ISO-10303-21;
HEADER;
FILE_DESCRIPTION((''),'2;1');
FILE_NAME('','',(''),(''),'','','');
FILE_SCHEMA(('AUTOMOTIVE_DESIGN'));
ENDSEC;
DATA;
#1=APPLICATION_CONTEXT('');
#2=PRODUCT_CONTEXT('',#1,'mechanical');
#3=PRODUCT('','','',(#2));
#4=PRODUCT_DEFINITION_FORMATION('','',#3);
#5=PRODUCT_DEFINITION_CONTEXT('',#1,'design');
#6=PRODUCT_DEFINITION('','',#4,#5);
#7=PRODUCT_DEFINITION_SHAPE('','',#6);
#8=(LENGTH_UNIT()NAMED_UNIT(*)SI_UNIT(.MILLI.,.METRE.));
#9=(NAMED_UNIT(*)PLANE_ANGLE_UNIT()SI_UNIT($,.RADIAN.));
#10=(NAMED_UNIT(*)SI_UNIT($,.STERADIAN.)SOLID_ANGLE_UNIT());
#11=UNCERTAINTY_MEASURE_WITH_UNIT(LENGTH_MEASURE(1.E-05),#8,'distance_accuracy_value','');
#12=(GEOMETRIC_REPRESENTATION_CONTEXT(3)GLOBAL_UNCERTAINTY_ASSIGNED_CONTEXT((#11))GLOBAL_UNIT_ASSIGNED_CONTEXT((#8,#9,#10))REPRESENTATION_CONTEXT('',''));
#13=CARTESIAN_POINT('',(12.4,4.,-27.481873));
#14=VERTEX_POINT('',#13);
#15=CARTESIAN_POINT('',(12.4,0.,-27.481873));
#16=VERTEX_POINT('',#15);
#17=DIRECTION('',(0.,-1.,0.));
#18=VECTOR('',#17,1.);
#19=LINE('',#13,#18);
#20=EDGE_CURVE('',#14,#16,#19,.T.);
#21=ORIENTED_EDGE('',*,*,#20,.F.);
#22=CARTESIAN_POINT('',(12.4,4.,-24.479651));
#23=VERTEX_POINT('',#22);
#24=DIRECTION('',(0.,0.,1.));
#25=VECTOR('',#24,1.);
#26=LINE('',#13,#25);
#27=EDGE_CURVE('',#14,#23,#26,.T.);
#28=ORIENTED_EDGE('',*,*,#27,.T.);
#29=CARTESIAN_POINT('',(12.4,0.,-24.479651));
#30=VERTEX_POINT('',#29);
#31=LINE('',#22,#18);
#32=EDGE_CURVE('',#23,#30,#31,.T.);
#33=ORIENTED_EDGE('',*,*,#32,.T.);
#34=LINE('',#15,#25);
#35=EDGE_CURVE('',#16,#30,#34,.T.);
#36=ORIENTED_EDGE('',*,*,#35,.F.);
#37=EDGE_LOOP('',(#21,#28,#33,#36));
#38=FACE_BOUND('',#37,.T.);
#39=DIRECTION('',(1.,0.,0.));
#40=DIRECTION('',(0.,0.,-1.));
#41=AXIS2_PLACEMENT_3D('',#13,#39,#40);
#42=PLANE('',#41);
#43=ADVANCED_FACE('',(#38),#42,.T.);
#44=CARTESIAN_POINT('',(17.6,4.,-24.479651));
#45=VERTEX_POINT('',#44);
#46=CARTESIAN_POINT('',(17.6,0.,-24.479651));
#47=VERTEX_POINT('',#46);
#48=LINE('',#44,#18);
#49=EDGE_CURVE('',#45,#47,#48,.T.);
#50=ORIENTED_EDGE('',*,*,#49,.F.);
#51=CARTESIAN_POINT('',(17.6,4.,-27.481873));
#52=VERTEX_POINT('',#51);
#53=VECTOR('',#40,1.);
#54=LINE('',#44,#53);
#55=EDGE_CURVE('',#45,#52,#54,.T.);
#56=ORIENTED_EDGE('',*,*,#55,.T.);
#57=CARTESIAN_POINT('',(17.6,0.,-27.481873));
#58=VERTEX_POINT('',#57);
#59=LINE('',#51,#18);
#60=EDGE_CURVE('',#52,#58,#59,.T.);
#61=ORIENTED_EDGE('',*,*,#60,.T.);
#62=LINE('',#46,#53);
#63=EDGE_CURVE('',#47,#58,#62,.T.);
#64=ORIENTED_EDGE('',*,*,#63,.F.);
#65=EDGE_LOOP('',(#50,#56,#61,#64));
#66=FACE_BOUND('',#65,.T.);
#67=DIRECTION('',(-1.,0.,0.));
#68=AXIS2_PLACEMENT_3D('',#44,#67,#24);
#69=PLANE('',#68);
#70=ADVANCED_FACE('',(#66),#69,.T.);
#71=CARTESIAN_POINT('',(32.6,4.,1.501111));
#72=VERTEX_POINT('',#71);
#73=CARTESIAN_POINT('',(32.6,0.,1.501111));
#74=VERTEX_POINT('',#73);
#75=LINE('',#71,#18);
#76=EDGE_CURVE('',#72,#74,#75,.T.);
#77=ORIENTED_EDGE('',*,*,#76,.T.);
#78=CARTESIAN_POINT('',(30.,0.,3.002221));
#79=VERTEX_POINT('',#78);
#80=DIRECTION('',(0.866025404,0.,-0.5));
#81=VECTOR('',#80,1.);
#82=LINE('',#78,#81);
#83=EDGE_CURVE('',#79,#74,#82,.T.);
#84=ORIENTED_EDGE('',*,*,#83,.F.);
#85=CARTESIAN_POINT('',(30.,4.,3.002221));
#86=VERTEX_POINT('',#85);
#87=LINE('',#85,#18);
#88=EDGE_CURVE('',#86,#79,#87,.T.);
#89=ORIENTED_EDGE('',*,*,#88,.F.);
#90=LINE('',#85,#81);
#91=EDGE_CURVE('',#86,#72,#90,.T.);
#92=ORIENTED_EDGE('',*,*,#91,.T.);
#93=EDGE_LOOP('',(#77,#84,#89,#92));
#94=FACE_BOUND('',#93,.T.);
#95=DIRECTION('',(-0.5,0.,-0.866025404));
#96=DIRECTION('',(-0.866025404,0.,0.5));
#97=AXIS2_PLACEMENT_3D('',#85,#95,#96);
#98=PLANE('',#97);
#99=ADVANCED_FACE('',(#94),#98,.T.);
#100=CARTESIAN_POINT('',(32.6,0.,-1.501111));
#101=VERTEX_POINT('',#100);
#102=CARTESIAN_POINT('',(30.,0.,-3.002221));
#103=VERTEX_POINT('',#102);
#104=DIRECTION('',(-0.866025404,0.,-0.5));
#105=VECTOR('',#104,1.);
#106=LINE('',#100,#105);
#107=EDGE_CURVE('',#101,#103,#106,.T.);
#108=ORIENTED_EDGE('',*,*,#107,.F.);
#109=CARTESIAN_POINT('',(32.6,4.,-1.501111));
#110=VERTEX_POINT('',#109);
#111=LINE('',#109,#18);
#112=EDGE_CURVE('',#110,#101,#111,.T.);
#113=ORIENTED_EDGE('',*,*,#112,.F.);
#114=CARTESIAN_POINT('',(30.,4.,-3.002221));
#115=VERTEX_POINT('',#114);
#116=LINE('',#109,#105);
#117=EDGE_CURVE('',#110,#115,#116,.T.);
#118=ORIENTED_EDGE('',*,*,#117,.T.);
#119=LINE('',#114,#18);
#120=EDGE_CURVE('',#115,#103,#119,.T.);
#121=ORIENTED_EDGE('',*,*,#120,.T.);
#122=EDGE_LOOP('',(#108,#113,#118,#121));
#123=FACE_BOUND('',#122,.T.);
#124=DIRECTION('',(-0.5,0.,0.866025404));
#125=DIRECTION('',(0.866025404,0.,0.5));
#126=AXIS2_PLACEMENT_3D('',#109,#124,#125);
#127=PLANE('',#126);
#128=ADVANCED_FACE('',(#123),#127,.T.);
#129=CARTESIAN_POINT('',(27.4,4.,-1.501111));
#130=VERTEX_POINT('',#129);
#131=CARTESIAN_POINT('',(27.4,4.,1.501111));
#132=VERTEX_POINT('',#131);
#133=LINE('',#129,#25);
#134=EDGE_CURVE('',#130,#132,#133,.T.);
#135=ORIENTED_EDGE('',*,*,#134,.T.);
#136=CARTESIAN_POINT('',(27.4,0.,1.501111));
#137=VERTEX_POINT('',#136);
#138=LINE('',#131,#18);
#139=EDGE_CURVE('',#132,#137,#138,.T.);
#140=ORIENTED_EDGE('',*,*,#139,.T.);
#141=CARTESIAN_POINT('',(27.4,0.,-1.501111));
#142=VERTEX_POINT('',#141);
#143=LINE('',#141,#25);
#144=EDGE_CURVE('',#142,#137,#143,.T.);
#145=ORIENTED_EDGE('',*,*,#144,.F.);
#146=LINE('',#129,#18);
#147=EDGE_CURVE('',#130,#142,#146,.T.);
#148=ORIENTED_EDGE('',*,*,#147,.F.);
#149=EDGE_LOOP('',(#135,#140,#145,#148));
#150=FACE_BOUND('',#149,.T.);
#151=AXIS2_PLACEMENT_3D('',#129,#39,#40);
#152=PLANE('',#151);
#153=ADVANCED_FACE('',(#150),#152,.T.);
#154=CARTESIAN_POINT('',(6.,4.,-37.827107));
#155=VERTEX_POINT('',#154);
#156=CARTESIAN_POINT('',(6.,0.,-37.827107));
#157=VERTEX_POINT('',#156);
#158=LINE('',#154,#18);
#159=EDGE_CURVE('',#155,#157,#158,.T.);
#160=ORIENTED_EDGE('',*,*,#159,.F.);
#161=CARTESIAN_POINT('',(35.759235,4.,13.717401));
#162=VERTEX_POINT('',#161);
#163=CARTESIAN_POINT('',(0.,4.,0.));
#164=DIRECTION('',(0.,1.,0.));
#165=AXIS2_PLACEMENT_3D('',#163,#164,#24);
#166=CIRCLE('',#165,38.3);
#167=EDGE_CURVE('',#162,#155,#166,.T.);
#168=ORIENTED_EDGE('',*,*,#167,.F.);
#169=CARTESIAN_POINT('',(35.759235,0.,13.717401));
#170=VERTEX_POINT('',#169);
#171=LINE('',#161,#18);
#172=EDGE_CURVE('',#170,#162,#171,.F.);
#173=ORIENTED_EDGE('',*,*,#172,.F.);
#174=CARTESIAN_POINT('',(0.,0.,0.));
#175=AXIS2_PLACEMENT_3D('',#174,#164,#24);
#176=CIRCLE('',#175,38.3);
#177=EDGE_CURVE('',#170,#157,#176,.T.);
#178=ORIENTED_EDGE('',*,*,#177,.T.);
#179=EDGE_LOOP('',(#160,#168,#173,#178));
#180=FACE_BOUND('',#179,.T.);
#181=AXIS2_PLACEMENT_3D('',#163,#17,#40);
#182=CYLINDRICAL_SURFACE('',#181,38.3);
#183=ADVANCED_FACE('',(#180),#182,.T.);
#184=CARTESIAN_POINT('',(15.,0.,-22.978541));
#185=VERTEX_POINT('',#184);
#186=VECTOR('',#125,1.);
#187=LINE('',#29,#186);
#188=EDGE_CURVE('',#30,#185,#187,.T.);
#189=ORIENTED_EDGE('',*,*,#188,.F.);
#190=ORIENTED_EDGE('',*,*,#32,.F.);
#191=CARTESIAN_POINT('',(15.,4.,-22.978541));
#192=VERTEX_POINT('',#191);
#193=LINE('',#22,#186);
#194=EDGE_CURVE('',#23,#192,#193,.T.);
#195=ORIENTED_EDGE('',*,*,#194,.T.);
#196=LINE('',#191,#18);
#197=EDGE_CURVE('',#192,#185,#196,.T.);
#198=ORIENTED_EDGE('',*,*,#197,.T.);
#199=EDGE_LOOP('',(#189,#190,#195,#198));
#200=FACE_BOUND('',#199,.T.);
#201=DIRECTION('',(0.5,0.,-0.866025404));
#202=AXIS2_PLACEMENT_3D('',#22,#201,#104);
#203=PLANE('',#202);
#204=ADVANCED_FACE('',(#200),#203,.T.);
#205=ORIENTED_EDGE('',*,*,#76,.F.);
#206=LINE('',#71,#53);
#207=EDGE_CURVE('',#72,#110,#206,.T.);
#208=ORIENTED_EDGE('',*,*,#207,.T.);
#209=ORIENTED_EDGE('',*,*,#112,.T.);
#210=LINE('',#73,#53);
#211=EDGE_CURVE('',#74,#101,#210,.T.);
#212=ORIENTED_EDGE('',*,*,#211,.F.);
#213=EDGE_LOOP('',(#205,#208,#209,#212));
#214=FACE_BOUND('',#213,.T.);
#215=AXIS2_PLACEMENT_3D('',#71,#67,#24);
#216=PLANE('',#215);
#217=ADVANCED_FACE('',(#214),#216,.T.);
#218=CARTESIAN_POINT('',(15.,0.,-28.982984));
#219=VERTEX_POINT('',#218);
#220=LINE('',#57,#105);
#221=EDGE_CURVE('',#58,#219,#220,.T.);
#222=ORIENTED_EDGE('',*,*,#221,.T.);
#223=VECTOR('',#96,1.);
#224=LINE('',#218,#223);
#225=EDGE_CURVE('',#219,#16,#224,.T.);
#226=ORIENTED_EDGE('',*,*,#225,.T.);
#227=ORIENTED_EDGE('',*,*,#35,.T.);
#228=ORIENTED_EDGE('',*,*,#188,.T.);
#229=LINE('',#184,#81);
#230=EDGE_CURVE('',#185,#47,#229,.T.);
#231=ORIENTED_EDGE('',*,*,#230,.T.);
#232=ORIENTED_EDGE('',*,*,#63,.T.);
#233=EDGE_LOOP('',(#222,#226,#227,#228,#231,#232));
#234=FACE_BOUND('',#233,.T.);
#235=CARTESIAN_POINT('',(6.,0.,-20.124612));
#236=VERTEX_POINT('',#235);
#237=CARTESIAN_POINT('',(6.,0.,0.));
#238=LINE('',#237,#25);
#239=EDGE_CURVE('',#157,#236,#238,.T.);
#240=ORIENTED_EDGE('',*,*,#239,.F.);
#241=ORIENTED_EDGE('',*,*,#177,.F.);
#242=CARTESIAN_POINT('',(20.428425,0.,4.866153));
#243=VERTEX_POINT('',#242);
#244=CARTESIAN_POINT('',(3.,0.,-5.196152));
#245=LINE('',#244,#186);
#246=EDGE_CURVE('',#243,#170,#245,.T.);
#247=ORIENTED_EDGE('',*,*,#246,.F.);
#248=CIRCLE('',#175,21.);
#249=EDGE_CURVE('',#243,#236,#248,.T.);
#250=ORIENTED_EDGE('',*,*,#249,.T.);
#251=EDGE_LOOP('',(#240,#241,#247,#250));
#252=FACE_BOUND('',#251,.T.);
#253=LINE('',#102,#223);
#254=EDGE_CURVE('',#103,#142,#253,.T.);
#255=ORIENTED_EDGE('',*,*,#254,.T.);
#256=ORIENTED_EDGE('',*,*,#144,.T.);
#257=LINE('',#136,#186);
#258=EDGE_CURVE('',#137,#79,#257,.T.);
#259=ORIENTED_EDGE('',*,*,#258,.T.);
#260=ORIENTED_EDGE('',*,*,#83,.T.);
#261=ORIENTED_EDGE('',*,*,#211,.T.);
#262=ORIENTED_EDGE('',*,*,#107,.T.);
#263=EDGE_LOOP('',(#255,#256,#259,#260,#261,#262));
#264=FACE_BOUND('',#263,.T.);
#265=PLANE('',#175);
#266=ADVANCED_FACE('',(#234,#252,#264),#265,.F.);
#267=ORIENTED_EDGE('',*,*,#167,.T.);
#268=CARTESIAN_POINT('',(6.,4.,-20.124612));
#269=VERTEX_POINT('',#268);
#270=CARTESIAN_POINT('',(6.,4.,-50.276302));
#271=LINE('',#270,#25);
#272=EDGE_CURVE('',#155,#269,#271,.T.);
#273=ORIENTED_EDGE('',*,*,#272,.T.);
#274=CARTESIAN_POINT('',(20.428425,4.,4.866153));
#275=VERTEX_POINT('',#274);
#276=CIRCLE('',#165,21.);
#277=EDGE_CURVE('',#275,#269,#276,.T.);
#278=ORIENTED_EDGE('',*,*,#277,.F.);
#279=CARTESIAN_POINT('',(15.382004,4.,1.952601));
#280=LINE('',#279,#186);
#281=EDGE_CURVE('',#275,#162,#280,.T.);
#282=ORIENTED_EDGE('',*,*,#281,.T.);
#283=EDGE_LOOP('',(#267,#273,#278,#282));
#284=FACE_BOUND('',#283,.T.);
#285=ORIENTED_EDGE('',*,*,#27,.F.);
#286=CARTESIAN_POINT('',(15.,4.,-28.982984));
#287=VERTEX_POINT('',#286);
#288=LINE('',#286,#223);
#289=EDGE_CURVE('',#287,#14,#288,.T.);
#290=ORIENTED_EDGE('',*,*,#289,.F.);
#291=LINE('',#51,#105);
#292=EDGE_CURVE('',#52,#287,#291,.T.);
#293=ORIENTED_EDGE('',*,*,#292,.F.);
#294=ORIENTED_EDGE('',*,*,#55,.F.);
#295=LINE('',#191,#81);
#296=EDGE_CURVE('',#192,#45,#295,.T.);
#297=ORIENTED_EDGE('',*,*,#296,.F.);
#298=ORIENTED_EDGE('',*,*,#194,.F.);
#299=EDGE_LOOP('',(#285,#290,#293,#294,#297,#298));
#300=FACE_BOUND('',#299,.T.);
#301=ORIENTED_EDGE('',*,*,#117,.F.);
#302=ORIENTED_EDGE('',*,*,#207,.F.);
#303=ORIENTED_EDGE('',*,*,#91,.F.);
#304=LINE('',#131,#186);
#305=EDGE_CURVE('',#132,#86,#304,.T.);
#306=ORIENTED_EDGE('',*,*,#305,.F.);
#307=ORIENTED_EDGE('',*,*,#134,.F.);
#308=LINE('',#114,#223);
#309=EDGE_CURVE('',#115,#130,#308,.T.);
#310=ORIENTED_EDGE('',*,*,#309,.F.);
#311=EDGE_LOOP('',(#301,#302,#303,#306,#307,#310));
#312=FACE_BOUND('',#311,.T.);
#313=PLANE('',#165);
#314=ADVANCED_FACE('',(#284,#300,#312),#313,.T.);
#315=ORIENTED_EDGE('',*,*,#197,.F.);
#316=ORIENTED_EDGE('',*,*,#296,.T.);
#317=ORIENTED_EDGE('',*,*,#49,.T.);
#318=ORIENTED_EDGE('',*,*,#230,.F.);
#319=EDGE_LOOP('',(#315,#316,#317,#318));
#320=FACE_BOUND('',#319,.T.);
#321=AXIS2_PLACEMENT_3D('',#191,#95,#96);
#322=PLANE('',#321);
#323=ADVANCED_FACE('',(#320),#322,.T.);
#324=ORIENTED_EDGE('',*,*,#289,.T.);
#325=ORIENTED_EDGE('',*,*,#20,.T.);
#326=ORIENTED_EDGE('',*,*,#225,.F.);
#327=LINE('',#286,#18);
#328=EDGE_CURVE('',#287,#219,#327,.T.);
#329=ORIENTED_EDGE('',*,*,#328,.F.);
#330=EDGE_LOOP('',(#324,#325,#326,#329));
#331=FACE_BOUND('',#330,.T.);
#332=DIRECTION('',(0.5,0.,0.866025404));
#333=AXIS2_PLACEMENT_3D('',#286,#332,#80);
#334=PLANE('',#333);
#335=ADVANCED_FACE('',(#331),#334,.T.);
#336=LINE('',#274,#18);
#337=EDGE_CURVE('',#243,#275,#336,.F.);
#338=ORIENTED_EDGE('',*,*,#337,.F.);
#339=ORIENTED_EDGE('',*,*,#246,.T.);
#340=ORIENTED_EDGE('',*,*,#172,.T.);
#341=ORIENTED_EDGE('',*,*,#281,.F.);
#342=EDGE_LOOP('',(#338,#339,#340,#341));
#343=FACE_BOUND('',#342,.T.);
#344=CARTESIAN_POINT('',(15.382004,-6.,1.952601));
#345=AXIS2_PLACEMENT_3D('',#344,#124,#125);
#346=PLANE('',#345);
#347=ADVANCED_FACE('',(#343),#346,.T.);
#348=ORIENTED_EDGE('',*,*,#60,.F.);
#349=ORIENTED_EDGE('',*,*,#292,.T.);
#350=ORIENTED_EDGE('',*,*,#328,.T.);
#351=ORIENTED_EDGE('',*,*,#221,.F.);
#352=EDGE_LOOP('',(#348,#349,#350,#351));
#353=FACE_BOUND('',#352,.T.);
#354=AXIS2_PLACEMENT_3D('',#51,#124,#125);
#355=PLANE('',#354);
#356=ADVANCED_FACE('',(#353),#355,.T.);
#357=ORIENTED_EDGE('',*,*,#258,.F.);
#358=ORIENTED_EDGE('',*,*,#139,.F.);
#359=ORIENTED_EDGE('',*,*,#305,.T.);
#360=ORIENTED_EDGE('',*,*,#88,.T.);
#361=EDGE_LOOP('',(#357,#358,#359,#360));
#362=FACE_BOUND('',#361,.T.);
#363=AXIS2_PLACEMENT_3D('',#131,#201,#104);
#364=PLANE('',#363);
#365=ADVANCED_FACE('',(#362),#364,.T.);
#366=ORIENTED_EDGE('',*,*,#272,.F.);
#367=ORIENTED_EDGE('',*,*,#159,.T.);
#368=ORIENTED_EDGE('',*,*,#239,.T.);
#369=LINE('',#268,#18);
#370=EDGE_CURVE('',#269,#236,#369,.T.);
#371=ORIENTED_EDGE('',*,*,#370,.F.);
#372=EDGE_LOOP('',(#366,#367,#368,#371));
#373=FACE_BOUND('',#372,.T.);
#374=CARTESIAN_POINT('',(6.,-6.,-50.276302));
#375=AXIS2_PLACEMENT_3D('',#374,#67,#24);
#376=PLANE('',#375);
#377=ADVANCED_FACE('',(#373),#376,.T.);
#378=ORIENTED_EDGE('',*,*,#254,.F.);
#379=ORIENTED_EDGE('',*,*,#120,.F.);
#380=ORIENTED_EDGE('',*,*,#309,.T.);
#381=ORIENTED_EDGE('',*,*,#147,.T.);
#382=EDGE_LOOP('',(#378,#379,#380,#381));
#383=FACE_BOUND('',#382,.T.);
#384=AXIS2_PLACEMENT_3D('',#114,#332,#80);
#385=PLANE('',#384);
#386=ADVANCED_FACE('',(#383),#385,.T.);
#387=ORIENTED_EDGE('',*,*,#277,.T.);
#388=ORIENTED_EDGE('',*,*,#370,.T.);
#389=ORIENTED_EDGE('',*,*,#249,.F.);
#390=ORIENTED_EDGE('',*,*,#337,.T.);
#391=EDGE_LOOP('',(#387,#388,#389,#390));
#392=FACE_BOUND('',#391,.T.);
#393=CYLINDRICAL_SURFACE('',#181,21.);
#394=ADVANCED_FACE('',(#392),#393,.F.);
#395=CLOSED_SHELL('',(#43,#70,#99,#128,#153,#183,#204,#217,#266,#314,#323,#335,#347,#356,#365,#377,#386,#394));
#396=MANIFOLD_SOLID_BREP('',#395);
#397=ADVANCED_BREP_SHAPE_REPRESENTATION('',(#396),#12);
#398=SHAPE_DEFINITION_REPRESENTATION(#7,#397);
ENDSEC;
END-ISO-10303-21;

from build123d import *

# Parameters (mm, degrees)
SKETCH1_R           = 38.3
SKETCH1_R_2         = 21
BOSS_EXTRUDE1_DEPTH = 4
CUT_EXTRUDE1_DEPTH  = 10


with BuildPart() as part:
    # Sketch1 → Boss-Extrude1 (new body)
    with BuildSketch(Plane(origin=(0, 0, 0), x_dir=(1, 0, 0), z_dir=(0, 1, 0))):
        with Locations(Location((0, 0, 0), (0, 0, 270))):
            Circle(SKETCH1_R)
        with Locations(Location((0, 0, 0), (0, 0, 270))):
            Circle(SKETCH1_R_2, mode=Mode.SUBTRACT)
        Polygon((12.4, -27.481872813), (15, -28.982983513), (17.6, -27.481872813), (17.6, -24.479651414), (15, -22.978540714), (12.4, -24.479651414), align=None, mode=Mode.SUBTRACT)
        Polygon((30, 3.0022214), (27.4, 1.5011107), (27.4, -1.5011107), (30, -3.0022214), (32.6, -1.5011107), (32.6, 1.5011107), align=None, mode=Mode.SUBTRACT)
        Polygon((-17.6, -24.479651414), (-17.6, -27.481872813), (-15, -28.982983513), (-12.4, -27.481872813), (-12.4, -24.479651414), (-15, -22.978540714), align=None, mode=Mode.SUBTRACT)
        Polygon((-30, 3.0022214), (-32.6, 1.5011107), (-32.6, -1.5011107), (-30, -3.0022214), (-27.4, -1.5011107), (-27.4, 1.5011107), align=None, mode=Mode.SUBTRACT)
        Polygon((-12.4, 27.481872813), (-15, 28.982983513), (-17.6, 27.481872813), (-17.6, 24.479651414), (-15, 22.978540714), (-12.4, 24.479651414), align=None, mode=Mode.SUBTRACT)
        Polygon((17.6, 24.479651414), (17.6, 27.481872813), (15, 28.982983513), (12.4, 27.481872813), (12.4, 24.479651414), (15, 22.978540714), align=None, mode=Mode.SUBTRACT)
    extrude(amount=BOSS_EXTRUDE1_DEPTH)

    # Sketch2 → Cut-Extrude1 (cut)
    with BuildSketch(Plane(origin=(0, 4, 0), x_dir=(1, 0, 0), z_dir=(0, 1, 0))):
        with BuildLine():
            Line((6, 50.276302336), (6, 14.297506921))
            ThreePointArc((6, 14.297506921), (13.428105902, 7.752720557), (15.382004204, -1.952601038))
            Line((15.382004204, -1.952601038), (46.540555031, -19.941998745))
            ThreePointArc((46.540555031, -19.941998745), (-43.84951462, -25.31652907), (6, 50.276302336))
        make_face()
    extrude(amount=-CUT_EXTRUDE1_DEPTH, mode=Mode.SUBTRACT)


solid = part.part
